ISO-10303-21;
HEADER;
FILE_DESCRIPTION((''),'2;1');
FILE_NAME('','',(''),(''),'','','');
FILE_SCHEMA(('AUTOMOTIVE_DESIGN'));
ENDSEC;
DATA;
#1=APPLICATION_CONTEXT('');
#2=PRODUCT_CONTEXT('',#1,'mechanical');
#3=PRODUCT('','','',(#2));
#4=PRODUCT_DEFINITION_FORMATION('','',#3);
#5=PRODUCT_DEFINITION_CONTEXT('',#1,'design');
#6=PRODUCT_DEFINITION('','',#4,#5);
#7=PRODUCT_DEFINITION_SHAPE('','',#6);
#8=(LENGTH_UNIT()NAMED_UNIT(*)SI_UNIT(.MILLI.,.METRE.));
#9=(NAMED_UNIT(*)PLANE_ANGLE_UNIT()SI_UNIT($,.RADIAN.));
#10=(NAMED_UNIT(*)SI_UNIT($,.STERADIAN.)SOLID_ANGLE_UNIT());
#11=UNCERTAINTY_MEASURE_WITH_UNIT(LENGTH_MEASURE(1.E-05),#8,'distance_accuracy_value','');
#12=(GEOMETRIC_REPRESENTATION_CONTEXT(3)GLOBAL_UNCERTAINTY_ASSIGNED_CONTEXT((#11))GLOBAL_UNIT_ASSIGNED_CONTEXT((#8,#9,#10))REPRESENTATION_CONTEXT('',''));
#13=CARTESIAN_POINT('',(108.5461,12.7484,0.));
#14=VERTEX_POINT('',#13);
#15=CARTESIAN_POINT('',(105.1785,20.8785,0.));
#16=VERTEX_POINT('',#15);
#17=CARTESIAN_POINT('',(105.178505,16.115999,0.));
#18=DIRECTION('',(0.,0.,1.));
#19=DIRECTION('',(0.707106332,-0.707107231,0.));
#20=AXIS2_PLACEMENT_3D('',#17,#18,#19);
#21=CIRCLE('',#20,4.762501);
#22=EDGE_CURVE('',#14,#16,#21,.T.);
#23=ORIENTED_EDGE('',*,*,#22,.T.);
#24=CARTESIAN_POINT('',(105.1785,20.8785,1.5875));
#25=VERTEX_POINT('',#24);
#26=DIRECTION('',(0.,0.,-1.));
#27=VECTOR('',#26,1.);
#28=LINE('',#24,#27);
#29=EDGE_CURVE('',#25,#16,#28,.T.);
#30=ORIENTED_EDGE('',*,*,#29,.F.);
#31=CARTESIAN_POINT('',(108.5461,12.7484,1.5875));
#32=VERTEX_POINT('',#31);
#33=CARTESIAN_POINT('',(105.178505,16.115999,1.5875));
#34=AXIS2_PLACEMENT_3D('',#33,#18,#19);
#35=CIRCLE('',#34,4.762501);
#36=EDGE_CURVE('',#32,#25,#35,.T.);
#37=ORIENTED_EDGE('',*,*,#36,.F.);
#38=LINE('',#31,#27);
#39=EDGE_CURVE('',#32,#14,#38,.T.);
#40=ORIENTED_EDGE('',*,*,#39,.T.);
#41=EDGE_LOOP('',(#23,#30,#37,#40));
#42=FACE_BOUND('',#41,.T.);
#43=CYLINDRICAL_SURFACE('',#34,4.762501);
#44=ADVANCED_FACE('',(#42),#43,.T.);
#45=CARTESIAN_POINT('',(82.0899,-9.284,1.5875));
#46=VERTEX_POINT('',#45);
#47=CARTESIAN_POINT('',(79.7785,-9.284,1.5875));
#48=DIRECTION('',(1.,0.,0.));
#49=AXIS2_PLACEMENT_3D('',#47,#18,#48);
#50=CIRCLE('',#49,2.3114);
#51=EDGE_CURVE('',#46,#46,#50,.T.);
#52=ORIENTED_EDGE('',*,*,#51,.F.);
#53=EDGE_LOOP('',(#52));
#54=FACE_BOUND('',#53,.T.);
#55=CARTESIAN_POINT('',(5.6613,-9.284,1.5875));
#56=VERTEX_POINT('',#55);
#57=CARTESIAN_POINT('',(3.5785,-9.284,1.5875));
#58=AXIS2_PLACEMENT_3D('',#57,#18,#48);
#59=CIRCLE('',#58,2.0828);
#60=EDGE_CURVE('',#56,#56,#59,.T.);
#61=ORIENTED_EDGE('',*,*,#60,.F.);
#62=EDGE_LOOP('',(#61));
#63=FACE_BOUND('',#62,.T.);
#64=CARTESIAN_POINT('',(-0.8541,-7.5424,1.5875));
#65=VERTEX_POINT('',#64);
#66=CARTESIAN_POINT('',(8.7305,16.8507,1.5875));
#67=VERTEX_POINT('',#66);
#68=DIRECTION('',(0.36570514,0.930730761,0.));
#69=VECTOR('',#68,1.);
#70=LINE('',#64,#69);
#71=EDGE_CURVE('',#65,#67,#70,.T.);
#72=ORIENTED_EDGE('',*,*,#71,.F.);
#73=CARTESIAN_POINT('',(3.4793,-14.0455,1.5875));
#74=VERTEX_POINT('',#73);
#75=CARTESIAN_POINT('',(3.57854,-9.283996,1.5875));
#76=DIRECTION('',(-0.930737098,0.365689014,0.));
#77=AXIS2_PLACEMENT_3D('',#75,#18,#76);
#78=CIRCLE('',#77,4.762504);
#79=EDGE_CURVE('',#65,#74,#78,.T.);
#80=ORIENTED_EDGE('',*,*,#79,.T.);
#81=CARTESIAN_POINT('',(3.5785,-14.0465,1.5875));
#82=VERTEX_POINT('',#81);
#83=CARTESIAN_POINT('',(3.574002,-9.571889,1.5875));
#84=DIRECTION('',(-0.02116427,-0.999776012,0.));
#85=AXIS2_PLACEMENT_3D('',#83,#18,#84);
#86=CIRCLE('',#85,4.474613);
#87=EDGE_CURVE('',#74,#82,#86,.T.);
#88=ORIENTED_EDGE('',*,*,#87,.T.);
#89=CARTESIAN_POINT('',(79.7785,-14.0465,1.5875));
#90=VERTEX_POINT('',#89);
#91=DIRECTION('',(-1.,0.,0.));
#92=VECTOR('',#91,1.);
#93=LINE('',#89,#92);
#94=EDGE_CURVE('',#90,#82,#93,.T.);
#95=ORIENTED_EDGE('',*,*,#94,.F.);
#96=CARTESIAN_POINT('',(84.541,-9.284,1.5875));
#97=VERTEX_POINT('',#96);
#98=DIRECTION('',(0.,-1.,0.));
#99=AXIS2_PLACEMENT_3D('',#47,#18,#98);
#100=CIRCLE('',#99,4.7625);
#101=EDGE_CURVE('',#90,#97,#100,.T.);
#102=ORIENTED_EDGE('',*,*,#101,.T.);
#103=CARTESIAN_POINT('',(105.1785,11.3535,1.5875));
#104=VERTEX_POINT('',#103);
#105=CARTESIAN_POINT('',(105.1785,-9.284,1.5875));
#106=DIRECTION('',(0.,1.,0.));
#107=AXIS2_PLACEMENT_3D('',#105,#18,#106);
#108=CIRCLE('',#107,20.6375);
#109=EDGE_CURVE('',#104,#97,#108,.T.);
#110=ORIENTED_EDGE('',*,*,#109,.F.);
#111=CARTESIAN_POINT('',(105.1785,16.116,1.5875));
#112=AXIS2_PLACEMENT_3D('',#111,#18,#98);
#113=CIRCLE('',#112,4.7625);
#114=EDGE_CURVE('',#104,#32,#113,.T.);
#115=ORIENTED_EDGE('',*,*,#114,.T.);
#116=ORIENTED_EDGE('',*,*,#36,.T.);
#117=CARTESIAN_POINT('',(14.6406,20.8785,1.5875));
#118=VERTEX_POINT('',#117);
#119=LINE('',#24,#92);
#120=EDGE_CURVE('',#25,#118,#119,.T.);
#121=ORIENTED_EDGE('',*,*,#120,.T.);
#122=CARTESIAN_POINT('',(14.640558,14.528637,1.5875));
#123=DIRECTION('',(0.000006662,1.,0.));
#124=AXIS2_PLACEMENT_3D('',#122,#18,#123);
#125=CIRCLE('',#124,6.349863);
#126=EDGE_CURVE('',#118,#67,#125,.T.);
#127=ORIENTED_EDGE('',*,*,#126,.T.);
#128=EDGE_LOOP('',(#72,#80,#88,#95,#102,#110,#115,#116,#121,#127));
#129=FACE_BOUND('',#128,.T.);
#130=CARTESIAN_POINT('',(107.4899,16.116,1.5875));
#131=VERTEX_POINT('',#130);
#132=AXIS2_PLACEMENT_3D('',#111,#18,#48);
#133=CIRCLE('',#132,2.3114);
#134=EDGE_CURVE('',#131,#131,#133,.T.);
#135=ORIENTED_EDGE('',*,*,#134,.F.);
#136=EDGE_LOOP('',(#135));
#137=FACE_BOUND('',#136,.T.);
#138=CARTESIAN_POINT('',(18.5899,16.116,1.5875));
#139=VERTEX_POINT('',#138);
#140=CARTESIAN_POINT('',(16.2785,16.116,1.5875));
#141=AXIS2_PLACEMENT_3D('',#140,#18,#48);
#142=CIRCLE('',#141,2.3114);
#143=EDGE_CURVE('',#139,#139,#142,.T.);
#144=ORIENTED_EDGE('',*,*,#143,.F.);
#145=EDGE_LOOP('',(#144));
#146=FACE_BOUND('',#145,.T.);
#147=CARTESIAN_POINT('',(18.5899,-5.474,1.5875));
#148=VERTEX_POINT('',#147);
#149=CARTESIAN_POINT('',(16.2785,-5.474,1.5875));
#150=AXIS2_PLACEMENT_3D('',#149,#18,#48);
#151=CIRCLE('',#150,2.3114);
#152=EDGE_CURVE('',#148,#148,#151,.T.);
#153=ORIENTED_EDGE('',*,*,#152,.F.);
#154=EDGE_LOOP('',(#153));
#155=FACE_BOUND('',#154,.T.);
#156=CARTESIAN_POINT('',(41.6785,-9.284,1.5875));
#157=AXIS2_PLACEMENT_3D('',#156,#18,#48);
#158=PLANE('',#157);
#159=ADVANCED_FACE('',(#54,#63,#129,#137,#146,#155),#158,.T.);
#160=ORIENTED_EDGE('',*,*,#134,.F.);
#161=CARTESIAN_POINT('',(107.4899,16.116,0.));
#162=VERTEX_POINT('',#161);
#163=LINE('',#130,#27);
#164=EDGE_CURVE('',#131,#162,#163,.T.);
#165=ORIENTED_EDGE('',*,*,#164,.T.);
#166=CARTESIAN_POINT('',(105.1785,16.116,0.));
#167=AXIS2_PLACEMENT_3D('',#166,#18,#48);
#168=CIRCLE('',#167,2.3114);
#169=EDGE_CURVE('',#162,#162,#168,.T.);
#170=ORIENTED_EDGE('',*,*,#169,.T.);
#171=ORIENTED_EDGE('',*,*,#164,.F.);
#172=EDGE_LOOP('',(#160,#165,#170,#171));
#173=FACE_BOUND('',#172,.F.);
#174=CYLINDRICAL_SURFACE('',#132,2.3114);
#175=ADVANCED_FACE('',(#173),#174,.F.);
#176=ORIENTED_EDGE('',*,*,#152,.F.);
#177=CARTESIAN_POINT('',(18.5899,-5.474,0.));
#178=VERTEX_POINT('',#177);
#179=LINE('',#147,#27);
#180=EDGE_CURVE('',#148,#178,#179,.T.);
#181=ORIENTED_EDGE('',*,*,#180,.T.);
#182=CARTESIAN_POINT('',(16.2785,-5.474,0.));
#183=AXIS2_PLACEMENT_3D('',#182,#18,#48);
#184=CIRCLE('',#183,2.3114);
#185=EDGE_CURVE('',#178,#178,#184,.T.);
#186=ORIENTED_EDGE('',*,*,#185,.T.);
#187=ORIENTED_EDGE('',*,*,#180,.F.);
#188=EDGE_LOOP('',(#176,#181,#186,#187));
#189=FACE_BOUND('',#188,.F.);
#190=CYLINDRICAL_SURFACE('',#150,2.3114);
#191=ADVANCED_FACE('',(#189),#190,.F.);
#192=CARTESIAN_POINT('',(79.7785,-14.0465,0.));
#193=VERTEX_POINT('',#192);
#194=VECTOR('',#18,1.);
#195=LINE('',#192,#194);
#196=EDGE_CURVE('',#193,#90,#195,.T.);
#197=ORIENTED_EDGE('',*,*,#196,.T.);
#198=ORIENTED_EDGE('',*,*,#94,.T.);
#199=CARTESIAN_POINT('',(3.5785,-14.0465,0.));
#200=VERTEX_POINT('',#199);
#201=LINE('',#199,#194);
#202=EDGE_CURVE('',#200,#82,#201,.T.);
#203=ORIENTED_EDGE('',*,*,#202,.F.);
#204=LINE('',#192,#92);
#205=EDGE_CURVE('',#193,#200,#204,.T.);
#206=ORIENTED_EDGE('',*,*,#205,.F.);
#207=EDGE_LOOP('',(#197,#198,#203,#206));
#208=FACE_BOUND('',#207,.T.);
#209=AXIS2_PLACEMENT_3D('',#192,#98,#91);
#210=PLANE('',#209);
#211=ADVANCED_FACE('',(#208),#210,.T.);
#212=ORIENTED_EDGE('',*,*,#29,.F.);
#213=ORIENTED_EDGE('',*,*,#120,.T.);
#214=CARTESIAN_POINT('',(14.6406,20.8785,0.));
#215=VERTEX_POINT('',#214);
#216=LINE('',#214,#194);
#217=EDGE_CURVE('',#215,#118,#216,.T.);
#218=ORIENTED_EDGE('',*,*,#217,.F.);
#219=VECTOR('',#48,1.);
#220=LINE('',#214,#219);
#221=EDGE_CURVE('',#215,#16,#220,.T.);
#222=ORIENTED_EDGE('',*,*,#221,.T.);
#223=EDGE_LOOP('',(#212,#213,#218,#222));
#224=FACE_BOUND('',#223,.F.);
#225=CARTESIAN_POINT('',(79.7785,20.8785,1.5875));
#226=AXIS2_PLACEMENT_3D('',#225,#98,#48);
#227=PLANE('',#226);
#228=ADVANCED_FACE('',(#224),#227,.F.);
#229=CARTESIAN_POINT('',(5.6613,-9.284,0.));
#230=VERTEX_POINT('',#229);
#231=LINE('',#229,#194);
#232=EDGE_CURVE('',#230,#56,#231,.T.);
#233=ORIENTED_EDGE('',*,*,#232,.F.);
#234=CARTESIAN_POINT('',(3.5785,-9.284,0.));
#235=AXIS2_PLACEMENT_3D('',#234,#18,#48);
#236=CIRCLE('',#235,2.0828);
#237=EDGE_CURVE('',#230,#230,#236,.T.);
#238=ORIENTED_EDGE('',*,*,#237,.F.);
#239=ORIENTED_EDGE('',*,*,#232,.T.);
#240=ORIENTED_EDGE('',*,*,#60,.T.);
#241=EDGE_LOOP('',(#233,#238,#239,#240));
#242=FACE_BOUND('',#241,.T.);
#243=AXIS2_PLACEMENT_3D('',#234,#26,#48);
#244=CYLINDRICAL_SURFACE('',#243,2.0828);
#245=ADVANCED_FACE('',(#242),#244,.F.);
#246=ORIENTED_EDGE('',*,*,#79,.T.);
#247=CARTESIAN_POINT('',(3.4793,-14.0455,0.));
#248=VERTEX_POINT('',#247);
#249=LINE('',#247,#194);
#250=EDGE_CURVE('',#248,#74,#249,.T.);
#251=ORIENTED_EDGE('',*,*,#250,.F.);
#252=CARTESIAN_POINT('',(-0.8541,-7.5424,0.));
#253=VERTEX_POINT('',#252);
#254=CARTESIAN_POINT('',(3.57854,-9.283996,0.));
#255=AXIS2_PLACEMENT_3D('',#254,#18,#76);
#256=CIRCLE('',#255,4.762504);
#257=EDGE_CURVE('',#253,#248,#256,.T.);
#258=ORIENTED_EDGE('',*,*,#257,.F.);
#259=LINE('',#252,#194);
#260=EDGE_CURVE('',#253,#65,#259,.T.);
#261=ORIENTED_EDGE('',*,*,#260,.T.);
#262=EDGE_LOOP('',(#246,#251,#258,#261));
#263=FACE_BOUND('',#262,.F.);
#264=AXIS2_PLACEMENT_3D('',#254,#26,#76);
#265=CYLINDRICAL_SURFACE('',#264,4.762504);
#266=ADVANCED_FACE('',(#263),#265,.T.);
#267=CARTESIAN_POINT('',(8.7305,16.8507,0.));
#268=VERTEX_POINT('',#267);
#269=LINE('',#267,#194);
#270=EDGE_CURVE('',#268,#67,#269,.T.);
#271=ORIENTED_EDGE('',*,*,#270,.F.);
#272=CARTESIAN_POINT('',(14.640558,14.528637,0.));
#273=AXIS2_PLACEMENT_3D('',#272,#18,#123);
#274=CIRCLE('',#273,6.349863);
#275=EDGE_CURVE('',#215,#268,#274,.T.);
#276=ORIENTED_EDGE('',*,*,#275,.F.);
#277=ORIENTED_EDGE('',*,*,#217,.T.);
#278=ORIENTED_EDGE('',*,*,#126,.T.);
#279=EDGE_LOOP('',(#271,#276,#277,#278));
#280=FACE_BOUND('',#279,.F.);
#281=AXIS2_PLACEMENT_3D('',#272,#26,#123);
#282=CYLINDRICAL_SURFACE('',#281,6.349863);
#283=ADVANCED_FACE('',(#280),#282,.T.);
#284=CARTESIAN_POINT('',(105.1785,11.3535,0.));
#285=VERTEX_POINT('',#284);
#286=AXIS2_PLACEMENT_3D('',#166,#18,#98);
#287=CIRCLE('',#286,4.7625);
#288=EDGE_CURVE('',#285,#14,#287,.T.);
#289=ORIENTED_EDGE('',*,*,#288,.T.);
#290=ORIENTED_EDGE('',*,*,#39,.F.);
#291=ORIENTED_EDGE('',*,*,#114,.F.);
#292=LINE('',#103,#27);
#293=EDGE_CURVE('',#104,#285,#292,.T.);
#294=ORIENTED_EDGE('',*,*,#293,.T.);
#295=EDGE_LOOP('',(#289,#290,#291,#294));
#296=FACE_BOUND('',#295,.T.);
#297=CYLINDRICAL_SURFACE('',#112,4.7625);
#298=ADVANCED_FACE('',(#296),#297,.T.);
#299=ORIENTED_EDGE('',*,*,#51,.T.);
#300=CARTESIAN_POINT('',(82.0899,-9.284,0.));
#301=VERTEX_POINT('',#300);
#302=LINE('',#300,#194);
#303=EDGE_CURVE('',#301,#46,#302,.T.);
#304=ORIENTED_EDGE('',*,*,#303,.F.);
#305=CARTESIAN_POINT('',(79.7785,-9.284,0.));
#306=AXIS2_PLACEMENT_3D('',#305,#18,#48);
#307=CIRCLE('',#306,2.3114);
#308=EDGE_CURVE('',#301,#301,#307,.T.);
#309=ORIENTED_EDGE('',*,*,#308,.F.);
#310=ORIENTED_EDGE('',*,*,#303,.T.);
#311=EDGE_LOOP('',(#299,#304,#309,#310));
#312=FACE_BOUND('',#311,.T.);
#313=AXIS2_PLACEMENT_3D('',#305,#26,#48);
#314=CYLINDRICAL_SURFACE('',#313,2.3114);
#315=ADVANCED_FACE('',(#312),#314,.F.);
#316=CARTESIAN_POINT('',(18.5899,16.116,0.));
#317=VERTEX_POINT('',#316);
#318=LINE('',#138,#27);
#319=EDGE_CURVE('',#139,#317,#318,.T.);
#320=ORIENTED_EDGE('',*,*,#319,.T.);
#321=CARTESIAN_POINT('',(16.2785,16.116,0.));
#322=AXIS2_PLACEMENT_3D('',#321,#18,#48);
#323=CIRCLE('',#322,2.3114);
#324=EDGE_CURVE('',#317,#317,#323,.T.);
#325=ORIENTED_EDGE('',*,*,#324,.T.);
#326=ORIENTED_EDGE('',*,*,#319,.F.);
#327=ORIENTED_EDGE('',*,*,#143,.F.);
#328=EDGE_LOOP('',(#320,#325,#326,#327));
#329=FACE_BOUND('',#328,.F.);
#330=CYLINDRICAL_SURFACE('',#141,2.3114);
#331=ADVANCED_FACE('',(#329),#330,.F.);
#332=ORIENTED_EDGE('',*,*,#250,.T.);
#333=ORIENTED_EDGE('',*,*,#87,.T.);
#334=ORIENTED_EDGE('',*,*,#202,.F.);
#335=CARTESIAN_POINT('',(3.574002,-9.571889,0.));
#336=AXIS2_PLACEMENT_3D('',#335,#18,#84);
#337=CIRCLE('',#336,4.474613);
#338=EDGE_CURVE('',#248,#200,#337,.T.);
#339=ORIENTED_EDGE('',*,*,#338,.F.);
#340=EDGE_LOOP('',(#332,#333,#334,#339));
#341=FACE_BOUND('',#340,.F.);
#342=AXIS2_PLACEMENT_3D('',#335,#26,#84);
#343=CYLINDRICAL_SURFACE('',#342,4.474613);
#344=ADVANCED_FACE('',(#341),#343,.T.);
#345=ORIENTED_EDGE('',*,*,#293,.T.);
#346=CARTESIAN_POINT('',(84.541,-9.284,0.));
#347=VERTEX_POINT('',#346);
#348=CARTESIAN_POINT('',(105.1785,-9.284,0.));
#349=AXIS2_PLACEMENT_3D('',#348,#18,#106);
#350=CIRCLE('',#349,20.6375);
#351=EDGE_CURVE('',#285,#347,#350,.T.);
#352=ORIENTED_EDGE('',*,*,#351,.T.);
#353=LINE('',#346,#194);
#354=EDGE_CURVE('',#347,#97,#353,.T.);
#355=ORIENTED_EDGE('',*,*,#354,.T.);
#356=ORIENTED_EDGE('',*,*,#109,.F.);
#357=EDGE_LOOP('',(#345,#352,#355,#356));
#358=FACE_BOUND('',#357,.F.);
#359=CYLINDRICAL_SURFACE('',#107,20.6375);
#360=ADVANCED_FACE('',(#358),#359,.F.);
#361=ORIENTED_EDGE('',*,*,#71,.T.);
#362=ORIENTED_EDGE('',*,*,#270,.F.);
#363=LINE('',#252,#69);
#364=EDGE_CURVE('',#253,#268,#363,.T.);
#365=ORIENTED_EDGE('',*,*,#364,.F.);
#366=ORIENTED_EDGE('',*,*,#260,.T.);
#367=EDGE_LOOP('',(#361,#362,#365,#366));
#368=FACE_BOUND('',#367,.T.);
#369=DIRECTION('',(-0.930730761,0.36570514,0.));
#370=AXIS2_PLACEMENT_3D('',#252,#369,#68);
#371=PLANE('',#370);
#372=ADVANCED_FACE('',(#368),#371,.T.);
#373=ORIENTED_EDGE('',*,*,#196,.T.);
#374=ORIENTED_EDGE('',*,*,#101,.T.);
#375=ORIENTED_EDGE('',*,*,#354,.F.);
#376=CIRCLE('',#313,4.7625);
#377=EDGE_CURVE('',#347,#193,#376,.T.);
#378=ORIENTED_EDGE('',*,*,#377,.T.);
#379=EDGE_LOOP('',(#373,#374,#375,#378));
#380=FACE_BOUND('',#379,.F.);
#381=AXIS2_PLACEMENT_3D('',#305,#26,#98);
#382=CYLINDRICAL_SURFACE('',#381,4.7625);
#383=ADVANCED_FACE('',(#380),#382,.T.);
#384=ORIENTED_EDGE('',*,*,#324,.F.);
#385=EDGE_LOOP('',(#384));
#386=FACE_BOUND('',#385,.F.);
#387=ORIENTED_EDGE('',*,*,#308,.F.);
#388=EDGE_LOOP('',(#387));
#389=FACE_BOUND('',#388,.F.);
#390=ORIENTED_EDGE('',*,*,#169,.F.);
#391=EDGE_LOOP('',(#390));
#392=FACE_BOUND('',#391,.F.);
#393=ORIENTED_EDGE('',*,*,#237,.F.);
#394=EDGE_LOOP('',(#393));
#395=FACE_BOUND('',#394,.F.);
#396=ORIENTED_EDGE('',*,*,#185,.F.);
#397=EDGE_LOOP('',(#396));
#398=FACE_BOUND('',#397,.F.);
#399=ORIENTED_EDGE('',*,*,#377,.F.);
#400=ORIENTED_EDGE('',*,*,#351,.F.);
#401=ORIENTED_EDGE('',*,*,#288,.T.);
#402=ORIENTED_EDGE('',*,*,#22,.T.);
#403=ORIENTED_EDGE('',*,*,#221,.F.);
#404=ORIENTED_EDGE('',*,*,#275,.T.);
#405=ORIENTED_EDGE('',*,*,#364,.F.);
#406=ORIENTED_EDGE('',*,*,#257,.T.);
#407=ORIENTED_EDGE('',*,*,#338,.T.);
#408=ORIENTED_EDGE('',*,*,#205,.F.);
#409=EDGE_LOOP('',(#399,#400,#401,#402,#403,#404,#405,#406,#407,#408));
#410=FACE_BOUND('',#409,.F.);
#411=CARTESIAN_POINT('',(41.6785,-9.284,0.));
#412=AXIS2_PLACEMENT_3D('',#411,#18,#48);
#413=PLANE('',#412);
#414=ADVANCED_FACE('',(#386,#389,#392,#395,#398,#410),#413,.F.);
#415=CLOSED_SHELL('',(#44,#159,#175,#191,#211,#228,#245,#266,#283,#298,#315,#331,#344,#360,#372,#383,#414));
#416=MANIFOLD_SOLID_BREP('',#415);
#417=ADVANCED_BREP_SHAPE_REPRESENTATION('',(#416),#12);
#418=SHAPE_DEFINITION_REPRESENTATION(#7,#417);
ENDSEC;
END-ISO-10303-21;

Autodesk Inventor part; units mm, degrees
ref_plane "YZ Plane" through (0, 0, 0) normal (1, 0, 0) x (0, 1, 0)
ref_plane "XZ Plane" through (0, 0, 0) normal (0, 1, 0) x (-1, 0, 0)
ref_plane "XY Plane" through (0, 0, 0) normal (0, 0, 1) x (1, 0, 0)
sketch "Sketch1" plane through (0, 0, 0) normal (0, 0, 1) x (1, 0, 0)
  arc A0 (79.7785, -14.0465) -> (84.541, -9.284) centre (79.7785, -9.284) ccw
  circle A1 centre (3.5785, -9.284) radius 2.0828
  circle A2 centre (79.7785, -9.284) radius 2.3114
  arc A3 (84.541, 16.116) -> (79.7785, 20.8785) centre (79.7785, 16.116) ccw
  line L0 (23.4149, 20.8785) -> (79.7785, 20.8785)
  line L1 (84.541, 16.116) -> (84.541, -9.284)
  line L2 (79.7785, -14.0465) -> (3.5785, -14.0465)
  arc A4 (3.4793, -14.0455) -> (3.5785, -14.0465) centre (3.5785, -9.284) ccw
  arc A5 (-0.8541, -7.5424) -> (3.5785, -14.0465) centre (3.5785, -9.284) ccw
  line L3 (-0.8541, -7.5424) -> (8.7305, 16.8507)
  line L4 (23.4149, 20.8785) -> (14.6406, 20.8785)
  arc A6 (14.6406, 20.8785) -> (8.7305, 16.8507) centre (14.6406, 14.5285) ccw
  circle A7 centre (79.7785, 16.116) radius 2.0955
  point P0 (0, 0)
  point P1 (3.4793, -14.0455)
  dimension "d1" = 4.6228
  dimension "d5" = 9.525
  dimension "d6" = 6.35
  dimension "d9" = 4.191
  dimension "d25" = 4.1656
extrude "Extrusion1" add sketch "Sketch1" along normal blind 1.5875 contours L2 A4 A5 L3 A6 L4 L0 A3 L1 A0 | A7
sketch "Sketch2" plane through (41.6785, -9.284, 1.5875) normal (0, 0, 1) x (1, 0, 0)
  arc A0 (42.8625, 25.4) -> (38.1, 30.1625) centre (38.1, 25.4) ccw projected
  circle A1 centre (63.5, 25.4) radius 2.3114
  arc A2 (66.8676, 22.0324) -> (63.5, 30.1625) centre (63.5, 25.4) ccw
  line L0 (38.1, 30.1625) -> (63.5, 30.1625)
  arc A3 (38.1, -4.7625) -> (42.8625, 0) centre (38.1, 0) ccw projected
  line L1 (38.1, 30.1625) -> (-27.0379, 30.1625) projected
  line L2 (38.1, 30.1625) -> (35.3924, 30.1625)
  arc A4 (38.1, -4.7625) -> (41.4676, -3.3676) centre (38.1, 0) ccw
  line L3 (41.4676, -3.3676) -> (38.1, 30.1625)
  circle A5 centre (-25.4, 25.4) radius 2.3114
  circle A6 centre (38.1, 0) radius 2.3114 projected
  arc A7 (41.4676, -3.3676) -> (42.8625, 0) centre (38.1, 0) ccw
  arc A8 (63.5, 20.6375) -> (63.5, 30.1625) centre (63.5, 25.4) ccw
  arc A9 (63.5, 20.6375) -> (42.8625, 0) centre (63.5, 0) ccw
  circle A10 centre (-25.4, 3.81) radius 2.3114
  point P0 (-41.6785, 9.284)
  point P1 (66.8676, 22.0324)
  dimension "d15" = 9.525
  dimension "d18" = 4.6228
  dimension "d22" = 4.6228
  dimension "d24" = 4.6228
extrude "Extrusion3" add sketch "Sketch2" against normal blind 1.5875 contours A8 A9 A3 L3 L0 A2
extrude "Extrusion4" cut sketch "Sketch2" against normal blind 1.5875 contours A5 | A10
properties part number "intake_base_outer" material "Acetal Resin, White"
